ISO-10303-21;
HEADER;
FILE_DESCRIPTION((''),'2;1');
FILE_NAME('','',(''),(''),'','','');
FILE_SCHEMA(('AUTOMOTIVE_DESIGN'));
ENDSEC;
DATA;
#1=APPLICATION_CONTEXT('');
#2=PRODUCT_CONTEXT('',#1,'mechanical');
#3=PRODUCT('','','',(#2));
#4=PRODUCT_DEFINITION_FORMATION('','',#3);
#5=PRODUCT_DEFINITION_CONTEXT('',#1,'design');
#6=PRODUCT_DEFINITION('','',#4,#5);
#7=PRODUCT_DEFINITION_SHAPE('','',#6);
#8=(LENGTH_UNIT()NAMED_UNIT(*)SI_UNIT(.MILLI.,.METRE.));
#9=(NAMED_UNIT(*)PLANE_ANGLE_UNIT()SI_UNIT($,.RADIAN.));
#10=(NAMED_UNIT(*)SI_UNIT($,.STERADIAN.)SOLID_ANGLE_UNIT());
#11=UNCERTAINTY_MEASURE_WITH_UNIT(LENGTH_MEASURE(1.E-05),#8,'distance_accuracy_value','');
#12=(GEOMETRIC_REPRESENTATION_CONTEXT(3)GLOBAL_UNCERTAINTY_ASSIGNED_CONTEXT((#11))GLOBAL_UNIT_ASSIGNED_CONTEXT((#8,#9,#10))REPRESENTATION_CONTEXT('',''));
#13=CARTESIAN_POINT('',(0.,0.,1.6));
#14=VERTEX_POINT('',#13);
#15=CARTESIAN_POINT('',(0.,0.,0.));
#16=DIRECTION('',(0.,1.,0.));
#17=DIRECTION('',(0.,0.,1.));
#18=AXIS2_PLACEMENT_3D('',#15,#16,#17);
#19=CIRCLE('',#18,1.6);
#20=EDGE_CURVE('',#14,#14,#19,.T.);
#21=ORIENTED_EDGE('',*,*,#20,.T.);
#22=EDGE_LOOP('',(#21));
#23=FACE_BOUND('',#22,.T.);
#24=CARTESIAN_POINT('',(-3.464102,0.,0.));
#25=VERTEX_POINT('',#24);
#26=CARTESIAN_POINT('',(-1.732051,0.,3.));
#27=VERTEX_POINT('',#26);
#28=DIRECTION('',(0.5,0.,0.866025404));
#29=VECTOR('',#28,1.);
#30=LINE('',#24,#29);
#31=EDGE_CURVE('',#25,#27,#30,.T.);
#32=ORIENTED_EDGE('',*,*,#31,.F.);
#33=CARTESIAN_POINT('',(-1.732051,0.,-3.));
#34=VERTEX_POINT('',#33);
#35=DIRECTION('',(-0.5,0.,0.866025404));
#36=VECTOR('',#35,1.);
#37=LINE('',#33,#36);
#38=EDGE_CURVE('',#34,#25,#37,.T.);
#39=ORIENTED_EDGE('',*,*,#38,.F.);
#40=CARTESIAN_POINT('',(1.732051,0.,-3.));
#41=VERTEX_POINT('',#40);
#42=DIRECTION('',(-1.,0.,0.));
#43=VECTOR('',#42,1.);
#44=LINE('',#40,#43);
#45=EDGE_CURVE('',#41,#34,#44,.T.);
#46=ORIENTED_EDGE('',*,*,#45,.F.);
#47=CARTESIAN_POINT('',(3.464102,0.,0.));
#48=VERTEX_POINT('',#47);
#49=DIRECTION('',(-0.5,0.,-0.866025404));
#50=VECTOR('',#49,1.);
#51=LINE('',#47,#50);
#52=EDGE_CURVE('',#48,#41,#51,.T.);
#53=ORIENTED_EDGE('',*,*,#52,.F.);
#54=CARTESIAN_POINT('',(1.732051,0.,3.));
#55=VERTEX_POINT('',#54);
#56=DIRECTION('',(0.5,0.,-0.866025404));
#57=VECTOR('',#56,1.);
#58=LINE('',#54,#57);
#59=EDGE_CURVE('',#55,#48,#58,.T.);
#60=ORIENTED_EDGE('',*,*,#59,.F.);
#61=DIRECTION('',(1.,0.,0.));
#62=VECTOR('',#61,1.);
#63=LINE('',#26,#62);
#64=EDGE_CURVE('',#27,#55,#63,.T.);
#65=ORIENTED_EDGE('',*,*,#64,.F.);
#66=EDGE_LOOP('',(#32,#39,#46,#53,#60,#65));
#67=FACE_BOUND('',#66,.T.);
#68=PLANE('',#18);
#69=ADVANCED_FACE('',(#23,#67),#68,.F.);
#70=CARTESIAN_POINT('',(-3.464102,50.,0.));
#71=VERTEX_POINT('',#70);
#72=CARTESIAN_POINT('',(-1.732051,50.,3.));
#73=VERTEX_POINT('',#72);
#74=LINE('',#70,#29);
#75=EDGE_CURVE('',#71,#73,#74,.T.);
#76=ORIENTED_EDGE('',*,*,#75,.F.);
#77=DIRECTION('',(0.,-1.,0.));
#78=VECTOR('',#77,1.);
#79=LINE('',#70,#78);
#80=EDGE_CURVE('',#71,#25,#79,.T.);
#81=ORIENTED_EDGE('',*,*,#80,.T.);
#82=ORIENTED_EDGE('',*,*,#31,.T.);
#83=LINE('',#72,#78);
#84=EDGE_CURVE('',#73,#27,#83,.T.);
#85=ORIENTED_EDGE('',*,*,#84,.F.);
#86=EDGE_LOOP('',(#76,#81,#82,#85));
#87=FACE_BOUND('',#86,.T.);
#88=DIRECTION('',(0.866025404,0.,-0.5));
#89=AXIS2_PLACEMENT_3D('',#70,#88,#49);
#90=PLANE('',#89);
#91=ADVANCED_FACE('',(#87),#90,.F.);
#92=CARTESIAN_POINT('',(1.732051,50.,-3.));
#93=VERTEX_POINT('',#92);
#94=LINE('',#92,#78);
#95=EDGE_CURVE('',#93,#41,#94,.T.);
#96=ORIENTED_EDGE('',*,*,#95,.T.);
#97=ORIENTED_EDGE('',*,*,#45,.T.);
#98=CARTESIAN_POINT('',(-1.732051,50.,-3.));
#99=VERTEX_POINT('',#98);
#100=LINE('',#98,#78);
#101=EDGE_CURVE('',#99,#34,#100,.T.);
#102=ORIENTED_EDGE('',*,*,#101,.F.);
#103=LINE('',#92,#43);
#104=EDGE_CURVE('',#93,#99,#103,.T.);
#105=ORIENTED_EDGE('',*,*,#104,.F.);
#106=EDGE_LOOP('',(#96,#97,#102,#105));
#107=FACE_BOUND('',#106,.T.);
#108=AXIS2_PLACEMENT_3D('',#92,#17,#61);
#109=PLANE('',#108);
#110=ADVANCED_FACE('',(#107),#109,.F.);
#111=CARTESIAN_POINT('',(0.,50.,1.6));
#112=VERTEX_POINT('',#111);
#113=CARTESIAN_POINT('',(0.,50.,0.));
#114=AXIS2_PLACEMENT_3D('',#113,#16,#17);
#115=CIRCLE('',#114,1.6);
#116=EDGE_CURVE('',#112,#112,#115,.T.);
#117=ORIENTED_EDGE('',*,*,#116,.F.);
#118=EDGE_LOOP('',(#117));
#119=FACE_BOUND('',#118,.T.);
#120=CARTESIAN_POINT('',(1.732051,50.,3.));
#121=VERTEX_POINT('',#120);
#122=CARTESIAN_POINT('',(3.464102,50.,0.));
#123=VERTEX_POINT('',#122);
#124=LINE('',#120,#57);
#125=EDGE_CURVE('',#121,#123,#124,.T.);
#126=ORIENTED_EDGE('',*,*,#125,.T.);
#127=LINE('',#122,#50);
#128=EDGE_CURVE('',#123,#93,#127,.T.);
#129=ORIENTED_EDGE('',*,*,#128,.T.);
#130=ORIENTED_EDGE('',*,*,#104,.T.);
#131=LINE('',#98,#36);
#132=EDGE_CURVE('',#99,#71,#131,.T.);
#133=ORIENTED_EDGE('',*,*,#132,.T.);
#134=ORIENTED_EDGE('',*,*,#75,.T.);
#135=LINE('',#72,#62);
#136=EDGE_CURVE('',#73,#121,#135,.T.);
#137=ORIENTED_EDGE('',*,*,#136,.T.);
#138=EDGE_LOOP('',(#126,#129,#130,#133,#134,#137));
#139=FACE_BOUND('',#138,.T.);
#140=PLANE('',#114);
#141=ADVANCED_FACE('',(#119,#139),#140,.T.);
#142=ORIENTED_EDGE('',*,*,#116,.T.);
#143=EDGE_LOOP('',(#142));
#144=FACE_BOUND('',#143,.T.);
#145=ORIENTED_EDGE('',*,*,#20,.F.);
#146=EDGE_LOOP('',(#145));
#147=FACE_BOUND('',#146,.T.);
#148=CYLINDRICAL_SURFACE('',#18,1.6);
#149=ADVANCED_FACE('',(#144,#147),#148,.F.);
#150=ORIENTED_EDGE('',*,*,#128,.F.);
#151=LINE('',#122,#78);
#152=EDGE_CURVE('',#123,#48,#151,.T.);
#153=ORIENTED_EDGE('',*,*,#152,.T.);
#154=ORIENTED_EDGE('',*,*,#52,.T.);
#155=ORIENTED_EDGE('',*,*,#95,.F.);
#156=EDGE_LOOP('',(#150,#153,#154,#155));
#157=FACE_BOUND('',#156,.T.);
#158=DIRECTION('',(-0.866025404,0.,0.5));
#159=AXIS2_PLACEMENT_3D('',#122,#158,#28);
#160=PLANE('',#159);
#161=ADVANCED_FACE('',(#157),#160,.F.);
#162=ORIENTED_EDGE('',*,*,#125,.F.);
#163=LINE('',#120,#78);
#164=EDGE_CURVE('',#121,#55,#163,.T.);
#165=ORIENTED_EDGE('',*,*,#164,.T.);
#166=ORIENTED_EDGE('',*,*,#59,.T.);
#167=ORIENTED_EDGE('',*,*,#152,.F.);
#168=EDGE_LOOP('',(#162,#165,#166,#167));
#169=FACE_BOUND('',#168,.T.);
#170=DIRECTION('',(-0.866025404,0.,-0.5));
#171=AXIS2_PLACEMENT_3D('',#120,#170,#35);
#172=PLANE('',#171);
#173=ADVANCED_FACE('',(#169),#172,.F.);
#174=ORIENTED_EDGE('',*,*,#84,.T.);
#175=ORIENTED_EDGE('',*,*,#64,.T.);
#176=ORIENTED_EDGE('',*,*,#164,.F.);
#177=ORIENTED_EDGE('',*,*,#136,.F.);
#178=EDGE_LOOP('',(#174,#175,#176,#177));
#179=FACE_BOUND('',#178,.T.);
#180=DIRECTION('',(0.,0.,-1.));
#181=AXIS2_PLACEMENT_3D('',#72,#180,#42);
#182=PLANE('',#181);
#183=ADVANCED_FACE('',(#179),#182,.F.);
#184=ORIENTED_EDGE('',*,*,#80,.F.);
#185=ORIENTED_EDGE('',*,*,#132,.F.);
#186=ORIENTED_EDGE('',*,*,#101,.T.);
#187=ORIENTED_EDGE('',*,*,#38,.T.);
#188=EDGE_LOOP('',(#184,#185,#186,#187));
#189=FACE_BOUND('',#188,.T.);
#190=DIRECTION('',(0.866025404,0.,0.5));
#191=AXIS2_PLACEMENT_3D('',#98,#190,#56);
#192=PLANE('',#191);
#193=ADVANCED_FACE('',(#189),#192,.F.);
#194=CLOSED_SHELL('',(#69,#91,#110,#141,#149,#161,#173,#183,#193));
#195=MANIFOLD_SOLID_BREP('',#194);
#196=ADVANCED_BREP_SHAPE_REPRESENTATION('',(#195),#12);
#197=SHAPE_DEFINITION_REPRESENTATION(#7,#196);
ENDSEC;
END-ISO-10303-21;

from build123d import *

# Parameters (mm, degrees)
EXTRUDE_1_DEPTH     = 50
SKETCH_2_R          = 1.6
CUT_EXTRUDE_1_DEPTH = 51


with BuildPart() as part:
    # 草图1 → 凸台-拉伸1 (new body)
    with BuildSketch(Plane(origin=(0, 0, 0), x_dir=(1, 0, 0), z_dir=(0, 1, 0))):
        Polygon((3.464101615, 0), (1.732050808, 3), (-1.732050808, 3), (-3.464101615, 0), (-1.732050808, -3), (1.732050808, -3), align=None)
    extrude(amount=EXTRUDE_1_DEPTH)

    # 草图2 → 切除-拉伸1 (cut, through all)
    with BuildSketch(Plane(origin=(0, 50, 0), x_dir=(1, 0, 0), z_dir=(0, 1, 0))):
        Circle(SKETCH_2_R)
    extrude(amount=-CUT_EXTRUDE_1_DEPTH, mode=Mode.SUBTRACT)


solid = part.part
